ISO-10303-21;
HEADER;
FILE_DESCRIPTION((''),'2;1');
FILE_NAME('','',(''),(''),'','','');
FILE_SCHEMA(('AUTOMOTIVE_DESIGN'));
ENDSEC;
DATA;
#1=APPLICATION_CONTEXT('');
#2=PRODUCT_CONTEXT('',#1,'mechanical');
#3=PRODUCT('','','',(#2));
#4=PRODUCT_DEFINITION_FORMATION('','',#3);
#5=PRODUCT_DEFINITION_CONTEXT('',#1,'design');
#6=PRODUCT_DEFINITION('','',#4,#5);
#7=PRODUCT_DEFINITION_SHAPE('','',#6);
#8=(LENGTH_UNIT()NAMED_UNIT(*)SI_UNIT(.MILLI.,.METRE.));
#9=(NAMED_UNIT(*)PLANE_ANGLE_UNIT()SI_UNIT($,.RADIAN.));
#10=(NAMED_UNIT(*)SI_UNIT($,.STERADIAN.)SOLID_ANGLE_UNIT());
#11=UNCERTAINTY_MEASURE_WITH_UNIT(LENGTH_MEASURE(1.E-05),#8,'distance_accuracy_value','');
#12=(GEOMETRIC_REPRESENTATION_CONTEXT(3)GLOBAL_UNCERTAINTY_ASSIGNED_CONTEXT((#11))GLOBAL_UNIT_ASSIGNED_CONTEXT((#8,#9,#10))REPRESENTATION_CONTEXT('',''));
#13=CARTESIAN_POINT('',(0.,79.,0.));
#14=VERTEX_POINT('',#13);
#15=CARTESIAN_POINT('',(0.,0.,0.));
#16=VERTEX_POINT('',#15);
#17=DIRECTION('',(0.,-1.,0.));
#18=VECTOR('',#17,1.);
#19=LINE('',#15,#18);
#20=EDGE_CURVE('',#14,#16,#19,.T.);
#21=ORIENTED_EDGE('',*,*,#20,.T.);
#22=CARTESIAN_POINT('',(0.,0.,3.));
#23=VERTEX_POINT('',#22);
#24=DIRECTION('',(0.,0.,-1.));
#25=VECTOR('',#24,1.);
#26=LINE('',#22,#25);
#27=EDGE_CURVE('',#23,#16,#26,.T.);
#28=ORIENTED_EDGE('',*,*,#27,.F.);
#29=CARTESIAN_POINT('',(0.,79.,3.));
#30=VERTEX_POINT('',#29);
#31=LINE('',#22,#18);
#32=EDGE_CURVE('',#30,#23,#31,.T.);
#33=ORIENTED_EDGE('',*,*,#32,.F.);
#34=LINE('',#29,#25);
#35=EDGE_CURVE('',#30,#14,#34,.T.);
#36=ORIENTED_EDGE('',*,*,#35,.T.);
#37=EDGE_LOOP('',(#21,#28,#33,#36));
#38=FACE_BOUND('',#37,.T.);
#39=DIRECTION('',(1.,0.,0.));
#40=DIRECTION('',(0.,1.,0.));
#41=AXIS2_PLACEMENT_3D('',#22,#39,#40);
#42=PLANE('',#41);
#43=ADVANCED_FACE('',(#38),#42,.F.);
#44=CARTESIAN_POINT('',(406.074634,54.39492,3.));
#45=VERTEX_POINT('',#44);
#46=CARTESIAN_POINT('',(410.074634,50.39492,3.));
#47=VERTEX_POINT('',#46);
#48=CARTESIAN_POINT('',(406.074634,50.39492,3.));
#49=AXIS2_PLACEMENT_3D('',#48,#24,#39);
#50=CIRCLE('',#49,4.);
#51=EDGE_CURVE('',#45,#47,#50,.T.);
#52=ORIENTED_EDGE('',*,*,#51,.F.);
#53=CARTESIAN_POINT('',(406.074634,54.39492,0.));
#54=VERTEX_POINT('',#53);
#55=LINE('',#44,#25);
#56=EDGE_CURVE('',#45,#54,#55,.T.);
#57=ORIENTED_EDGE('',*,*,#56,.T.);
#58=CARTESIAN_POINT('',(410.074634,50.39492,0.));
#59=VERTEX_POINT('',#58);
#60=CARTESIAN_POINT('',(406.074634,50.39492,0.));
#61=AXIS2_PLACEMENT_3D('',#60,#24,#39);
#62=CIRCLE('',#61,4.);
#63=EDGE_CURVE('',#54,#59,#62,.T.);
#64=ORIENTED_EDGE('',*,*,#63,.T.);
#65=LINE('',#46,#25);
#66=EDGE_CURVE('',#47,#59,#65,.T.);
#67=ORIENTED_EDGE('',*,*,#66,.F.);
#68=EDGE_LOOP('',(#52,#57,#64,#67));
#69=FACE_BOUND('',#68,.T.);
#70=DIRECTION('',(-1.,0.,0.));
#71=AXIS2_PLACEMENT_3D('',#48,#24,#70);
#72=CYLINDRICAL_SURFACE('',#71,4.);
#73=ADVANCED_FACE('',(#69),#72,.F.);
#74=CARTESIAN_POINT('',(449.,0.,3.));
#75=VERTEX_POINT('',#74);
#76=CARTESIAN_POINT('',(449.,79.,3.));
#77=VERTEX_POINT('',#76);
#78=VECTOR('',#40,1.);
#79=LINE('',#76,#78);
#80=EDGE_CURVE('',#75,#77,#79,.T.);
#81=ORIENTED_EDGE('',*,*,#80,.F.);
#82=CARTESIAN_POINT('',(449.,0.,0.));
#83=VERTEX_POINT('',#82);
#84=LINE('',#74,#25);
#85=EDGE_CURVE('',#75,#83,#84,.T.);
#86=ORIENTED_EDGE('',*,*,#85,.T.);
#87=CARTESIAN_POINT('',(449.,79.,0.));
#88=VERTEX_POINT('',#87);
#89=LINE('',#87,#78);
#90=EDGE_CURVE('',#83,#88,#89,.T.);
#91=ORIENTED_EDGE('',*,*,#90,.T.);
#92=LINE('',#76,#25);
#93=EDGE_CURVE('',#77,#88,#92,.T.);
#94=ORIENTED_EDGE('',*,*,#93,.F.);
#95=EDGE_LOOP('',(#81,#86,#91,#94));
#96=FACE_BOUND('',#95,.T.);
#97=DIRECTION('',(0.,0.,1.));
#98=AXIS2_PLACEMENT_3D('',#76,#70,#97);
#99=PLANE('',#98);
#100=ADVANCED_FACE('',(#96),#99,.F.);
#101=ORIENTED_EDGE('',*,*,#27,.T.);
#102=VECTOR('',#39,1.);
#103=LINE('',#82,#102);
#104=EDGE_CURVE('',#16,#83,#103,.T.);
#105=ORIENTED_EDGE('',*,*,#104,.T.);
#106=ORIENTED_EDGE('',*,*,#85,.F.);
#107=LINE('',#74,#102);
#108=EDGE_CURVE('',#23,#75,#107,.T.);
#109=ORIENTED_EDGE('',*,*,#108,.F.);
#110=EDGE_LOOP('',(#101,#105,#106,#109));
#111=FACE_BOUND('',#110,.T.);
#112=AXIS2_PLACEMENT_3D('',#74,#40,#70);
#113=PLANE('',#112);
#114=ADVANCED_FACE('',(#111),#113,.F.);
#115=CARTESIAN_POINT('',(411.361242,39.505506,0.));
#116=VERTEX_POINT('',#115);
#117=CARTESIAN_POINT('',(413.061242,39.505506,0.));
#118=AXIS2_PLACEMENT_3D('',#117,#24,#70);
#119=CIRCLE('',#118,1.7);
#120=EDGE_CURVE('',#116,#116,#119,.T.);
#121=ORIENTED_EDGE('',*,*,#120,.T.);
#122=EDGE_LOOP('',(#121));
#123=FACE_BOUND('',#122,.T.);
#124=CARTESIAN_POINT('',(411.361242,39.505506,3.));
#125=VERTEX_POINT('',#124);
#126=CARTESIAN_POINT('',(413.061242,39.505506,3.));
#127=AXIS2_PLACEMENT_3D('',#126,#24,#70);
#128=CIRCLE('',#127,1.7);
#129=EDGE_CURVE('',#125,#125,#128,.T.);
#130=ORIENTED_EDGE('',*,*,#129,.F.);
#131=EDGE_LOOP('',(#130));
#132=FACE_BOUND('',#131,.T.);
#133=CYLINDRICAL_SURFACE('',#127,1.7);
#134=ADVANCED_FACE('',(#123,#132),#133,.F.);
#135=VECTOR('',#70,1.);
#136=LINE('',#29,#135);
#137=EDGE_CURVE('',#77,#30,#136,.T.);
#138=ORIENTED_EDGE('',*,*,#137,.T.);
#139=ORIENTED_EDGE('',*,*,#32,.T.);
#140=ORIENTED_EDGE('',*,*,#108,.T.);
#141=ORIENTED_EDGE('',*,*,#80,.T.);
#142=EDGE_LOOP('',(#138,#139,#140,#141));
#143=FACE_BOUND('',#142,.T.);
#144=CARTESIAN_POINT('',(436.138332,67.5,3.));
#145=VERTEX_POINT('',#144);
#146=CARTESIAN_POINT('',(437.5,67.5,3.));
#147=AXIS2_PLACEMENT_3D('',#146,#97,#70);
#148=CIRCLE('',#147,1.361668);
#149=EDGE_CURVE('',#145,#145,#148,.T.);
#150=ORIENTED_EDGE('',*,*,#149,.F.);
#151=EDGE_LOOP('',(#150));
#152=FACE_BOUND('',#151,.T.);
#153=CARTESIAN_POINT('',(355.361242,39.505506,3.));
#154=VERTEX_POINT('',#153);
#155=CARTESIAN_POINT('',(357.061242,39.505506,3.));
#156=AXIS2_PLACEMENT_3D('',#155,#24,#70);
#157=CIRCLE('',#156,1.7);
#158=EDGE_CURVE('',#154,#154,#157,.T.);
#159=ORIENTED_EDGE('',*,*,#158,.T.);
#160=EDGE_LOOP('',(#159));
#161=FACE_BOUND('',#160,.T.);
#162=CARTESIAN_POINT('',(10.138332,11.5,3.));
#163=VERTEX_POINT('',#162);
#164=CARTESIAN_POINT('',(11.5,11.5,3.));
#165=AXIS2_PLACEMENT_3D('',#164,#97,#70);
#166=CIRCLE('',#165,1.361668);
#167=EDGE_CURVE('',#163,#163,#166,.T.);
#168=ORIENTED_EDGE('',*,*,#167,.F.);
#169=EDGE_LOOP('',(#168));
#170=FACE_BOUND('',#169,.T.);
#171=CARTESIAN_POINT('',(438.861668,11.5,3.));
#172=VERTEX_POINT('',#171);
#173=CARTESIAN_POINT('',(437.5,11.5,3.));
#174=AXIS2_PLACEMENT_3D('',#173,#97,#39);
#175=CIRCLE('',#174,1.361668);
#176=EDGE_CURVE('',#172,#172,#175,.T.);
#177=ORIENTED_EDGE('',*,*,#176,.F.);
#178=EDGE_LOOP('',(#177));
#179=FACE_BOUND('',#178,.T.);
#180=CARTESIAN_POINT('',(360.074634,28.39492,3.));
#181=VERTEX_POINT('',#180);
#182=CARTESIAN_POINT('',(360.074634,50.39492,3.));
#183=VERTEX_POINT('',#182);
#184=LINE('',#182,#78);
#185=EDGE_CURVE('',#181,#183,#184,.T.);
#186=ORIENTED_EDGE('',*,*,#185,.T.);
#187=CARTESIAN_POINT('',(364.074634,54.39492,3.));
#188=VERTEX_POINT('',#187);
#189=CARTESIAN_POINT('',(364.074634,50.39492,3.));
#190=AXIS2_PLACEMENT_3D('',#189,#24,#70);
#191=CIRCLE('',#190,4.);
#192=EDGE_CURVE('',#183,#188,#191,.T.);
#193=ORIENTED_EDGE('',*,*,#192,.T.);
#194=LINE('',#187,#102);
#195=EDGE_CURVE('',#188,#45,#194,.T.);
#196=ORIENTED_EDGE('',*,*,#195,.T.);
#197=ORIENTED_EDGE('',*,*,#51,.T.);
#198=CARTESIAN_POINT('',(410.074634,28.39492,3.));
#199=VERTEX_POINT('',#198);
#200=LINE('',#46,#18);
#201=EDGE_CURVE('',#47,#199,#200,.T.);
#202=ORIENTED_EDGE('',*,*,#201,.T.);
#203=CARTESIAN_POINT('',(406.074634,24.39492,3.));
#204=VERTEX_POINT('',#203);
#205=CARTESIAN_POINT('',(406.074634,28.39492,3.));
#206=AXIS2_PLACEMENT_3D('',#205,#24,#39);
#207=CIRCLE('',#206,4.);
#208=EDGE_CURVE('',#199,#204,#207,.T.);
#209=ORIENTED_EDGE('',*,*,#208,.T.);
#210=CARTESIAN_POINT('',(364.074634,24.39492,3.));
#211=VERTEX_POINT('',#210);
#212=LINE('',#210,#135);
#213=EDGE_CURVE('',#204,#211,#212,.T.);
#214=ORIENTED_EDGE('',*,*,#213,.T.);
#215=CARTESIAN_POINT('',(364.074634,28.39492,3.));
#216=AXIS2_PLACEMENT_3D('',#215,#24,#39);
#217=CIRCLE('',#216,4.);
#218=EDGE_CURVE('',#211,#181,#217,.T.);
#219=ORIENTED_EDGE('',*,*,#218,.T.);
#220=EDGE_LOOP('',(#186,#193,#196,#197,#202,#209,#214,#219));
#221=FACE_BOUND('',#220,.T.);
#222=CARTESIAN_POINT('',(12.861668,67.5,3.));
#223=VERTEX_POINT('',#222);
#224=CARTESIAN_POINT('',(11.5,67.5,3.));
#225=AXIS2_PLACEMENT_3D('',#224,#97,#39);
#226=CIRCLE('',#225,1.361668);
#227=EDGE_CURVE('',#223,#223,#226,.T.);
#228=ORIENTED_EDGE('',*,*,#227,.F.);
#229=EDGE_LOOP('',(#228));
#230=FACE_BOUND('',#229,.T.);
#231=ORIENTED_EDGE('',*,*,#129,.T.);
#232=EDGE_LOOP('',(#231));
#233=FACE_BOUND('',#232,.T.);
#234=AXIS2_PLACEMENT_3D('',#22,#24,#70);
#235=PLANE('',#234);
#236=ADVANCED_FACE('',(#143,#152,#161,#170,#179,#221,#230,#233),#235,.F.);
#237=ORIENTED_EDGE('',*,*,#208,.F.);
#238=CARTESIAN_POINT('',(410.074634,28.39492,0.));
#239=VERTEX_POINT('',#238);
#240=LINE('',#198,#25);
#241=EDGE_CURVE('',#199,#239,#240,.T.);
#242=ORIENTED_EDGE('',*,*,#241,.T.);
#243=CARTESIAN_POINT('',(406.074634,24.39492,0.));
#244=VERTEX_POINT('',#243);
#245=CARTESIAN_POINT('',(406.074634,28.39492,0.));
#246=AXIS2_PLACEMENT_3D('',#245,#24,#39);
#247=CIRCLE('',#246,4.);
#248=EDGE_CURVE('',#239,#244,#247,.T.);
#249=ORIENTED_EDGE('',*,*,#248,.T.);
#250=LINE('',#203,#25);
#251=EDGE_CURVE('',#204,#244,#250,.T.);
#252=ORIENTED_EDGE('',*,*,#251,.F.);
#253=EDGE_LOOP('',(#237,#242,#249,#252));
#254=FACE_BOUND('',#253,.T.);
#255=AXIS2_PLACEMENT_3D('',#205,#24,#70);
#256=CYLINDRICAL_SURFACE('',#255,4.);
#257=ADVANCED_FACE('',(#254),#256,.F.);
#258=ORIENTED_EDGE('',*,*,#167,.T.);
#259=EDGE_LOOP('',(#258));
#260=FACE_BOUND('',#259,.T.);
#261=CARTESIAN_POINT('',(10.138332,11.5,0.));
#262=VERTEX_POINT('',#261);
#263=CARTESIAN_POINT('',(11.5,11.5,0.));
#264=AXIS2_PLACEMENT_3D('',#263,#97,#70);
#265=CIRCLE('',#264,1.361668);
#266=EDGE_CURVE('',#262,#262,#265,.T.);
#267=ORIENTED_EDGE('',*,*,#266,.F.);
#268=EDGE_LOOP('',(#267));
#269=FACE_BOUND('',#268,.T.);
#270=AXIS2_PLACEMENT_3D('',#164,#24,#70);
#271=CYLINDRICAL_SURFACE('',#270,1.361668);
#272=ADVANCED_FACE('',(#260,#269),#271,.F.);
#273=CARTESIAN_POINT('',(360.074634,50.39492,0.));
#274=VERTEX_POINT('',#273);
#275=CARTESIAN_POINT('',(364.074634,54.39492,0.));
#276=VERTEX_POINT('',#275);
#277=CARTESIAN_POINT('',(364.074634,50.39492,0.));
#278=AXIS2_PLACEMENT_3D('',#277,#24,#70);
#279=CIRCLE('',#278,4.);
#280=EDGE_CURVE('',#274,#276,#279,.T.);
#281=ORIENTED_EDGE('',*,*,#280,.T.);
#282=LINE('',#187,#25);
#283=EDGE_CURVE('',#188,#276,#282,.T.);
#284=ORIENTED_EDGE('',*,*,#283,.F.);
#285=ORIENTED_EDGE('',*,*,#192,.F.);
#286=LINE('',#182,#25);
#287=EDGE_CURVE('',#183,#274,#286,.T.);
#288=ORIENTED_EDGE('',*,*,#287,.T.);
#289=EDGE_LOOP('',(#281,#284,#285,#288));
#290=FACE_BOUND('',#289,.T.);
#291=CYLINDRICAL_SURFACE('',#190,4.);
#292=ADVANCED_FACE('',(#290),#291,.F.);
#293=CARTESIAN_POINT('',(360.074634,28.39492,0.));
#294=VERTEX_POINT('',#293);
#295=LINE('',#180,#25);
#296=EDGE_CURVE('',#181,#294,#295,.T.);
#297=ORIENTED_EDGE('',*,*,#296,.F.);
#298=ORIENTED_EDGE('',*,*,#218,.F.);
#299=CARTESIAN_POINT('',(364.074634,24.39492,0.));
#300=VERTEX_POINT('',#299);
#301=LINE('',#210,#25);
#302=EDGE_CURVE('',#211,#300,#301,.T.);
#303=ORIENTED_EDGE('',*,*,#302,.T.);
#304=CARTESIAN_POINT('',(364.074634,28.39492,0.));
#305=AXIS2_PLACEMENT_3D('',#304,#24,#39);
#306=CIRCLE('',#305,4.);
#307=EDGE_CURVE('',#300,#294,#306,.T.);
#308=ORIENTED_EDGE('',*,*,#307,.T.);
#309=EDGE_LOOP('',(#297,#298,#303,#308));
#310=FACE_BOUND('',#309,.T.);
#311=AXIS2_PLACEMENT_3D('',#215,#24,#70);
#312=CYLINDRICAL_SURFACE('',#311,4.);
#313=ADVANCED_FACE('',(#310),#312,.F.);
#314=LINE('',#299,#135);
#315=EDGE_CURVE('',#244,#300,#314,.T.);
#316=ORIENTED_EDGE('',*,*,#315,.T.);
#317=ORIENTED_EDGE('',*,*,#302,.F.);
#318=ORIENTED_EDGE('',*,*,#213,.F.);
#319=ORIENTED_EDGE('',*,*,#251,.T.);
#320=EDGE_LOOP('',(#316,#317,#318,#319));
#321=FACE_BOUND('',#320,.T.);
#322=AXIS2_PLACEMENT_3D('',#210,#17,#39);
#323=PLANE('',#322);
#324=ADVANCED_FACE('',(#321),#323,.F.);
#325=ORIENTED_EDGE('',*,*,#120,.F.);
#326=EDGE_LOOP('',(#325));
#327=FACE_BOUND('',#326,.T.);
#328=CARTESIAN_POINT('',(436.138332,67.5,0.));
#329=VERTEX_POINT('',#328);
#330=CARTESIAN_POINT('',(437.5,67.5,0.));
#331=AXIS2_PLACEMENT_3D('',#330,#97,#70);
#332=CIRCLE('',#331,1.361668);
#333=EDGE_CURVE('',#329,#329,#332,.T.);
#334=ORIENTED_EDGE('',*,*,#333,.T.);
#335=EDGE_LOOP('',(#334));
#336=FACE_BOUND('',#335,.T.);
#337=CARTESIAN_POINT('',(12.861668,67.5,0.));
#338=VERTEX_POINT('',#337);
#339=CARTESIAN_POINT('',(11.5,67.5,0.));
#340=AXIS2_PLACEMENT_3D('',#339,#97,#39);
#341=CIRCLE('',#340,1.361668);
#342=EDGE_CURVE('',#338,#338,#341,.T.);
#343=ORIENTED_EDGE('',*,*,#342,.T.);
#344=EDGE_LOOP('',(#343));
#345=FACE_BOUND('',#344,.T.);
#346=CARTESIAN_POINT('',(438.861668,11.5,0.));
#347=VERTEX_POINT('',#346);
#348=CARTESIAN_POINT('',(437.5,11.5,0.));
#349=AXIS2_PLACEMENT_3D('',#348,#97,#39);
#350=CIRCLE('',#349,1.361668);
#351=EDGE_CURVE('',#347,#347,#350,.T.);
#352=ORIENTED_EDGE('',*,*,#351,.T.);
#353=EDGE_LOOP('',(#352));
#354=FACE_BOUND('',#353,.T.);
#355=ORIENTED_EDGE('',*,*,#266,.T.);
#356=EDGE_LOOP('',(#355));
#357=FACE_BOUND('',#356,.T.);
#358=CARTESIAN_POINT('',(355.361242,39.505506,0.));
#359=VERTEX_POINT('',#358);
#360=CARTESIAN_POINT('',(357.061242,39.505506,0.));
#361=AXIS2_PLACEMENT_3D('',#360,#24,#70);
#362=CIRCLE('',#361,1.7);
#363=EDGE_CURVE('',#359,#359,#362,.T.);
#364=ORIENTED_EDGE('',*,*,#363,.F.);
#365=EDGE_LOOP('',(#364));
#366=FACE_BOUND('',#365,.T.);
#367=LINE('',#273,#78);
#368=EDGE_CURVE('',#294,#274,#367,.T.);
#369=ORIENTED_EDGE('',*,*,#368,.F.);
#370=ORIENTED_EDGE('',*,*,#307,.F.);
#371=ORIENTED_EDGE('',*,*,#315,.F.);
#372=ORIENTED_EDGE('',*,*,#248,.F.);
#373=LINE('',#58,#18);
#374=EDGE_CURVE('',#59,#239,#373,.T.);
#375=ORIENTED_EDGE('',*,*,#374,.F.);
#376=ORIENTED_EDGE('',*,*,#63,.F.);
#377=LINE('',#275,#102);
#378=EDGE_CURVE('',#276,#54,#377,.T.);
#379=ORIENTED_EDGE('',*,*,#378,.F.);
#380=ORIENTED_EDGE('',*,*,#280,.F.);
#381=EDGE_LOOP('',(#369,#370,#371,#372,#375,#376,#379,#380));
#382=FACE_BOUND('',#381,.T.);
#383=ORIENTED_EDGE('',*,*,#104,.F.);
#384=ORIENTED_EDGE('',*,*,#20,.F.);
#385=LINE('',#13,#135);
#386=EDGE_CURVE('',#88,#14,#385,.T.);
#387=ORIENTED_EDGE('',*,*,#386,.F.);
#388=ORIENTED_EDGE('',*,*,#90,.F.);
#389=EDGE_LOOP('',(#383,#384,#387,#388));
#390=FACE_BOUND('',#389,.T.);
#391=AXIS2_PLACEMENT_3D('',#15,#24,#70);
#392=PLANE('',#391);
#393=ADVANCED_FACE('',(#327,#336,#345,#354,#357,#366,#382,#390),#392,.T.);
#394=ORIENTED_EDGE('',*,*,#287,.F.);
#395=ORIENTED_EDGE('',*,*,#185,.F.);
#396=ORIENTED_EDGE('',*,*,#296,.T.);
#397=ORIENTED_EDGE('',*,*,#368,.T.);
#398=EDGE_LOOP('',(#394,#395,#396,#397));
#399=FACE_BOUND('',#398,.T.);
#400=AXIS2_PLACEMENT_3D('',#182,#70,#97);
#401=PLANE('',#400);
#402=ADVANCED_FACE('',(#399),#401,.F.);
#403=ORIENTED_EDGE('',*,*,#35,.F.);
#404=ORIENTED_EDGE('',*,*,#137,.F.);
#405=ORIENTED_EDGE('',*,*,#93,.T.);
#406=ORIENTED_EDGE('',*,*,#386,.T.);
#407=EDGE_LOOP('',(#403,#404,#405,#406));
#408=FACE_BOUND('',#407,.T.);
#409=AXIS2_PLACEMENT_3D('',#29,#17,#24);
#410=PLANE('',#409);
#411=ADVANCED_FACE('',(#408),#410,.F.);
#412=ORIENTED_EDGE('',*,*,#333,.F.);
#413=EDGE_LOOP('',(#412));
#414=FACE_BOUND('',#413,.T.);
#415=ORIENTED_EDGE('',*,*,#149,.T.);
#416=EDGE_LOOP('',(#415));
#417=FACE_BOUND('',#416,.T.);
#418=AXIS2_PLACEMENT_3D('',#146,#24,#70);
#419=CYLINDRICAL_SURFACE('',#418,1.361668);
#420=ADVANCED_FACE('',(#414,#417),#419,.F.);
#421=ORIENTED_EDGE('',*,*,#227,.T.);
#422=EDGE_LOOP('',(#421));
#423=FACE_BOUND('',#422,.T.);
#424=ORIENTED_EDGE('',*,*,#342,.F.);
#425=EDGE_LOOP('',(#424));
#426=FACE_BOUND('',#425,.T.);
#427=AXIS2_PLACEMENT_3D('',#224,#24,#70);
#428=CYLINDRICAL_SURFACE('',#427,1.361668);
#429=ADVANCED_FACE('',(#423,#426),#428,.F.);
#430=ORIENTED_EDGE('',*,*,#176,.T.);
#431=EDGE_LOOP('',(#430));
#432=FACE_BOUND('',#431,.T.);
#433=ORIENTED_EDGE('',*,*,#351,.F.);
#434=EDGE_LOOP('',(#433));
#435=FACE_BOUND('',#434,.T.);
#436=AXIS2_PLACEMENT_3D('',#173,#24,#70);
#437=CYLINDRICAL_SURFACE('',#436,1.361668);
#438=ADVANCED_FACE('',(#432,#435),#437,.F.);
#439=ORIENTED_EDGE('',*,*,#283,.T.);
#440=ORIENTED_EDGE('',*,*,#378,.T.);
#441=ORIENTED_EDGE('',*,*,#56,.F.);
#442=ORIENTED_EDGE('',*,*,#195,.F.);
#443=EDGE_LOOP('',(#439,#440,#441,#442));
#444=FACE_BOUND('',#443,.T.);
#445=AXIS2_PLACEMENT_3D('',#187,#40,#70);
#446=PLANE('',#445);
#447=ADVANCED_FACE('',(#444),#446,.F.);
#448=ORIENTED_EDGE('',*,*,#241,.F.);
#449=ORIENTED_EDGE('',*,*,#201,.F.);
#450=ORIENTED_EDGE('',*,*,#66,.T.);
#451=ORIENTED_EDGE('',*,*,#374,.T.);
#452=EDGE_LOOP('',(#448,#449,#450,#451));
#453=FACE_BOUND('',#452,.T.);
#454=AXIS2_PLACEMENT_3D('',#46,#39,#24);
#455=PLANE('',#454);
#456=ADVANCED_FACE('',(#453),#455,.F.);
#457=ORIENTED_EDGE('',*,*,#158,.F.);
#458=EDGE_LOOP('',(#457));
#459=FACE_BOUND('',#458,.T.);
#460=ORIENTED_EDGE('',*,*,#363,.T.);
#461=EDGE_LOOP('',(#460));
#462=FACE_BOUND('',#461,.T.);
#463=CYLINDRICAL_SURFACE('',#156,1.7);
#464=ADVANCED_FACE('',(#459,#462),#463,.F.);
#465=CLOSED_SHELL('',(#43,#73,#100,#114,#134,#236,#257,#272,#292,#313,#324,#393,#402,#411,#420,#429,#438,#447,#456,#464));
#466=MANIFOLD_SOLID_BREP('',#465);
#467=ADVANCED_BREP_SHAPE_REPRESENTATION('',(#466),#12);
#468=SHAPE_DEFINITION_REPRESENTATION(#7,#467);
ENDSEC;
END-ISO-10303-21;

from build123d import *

# Parameters (mm, degrees)
SKETCH_F_W                   = 449
SKETCH_F_H                   = 79
SKETCH_F_R                   = 1.361667817
ESTRUSIONE_ESTRUSIONE1_DEPTH = 3
SKETCH1_R                    = 1.7
EXTRUDE1_DEPTH               = 456.906788719


with BuildPart() as part:
    # Sketch f → Estrusione-Estrusione1 (new body)
    with BuildSketch(Plane.XY):
        with Locations((224.5, 39.5)):
            Rectangle(SKETCH_F_W, SKETCH_F_H)
        with Locations((11.5, 67.5)):
            Circle(SKETCH_F_R, mode=Mode.SUBTRACT)
        with Locations(Location((437.5, 67.5, 0), (0, 0, 180))):
            Circle(SKETCH_F_R, mode=Mode.SUBTRACT)
        with Locations(Location((11.5, 11.5, 0), (0, 0, 180))):
            Circle(SKETCH_F_R, mode=Mode.SUBTRACT)
        with Locations((437.5, 11.5)):
            Circle(SKETCH_F_R, mode=Mode.SUBTRACT)
    extrude(amount=ESTRUSIONE_ESTRUSIONE1_DEPTH)

    # Sketch1 → Extrude1 (cut, through all)
    with BuildSketch(Plane(origin=(0, 0, 0), x_dir=(-1, 0, 0), z_dir=(0, 0, -1))):
        with Locations((-413.061242298, 39.505506417)):
            Circle(SKETCH1_R)
        with Locations((-357.061242298, 39.505506417)):
            Circle(SKETCH1_R)
        with BuildLine():
            Line((-364.0746338, 54.394920259), (-406.0746338, 54.394920259))
            ThreePointArc((-406.0746338, 54.394920259), (-408.903060925, 53.223347384), (-410.0746338, 50.394920259))
            Line((-410.0746338, 50.394920259), (-410.0746338, 28.394920259))
            ThreePointArc((-410.0746338, 28.394920259), (-408.903060925, 25.566493134), (-406.0746338, 24.394920259))
            Line((-406.0746338, 24.394920259), (-364.0746338, 24.394920259))
            ThreePointArc((-364.0746338, 24.394920259), (-361.246206675, 25.566493134), (-360.0746338, 28.394920259))
            Line((-360.0746338, 28.394920259), (-360.0746338, 50.394920259))
            ThreePointArc((-360.0746338, 50.394920259), (-361.246206675, 53.223347384), (-364.0746338, 54.394920259))
        make_face()
    extrude(amount=-EXTRUDE1_DEPTH, mode=Mode.SUBTRACT)


solid = part.part
